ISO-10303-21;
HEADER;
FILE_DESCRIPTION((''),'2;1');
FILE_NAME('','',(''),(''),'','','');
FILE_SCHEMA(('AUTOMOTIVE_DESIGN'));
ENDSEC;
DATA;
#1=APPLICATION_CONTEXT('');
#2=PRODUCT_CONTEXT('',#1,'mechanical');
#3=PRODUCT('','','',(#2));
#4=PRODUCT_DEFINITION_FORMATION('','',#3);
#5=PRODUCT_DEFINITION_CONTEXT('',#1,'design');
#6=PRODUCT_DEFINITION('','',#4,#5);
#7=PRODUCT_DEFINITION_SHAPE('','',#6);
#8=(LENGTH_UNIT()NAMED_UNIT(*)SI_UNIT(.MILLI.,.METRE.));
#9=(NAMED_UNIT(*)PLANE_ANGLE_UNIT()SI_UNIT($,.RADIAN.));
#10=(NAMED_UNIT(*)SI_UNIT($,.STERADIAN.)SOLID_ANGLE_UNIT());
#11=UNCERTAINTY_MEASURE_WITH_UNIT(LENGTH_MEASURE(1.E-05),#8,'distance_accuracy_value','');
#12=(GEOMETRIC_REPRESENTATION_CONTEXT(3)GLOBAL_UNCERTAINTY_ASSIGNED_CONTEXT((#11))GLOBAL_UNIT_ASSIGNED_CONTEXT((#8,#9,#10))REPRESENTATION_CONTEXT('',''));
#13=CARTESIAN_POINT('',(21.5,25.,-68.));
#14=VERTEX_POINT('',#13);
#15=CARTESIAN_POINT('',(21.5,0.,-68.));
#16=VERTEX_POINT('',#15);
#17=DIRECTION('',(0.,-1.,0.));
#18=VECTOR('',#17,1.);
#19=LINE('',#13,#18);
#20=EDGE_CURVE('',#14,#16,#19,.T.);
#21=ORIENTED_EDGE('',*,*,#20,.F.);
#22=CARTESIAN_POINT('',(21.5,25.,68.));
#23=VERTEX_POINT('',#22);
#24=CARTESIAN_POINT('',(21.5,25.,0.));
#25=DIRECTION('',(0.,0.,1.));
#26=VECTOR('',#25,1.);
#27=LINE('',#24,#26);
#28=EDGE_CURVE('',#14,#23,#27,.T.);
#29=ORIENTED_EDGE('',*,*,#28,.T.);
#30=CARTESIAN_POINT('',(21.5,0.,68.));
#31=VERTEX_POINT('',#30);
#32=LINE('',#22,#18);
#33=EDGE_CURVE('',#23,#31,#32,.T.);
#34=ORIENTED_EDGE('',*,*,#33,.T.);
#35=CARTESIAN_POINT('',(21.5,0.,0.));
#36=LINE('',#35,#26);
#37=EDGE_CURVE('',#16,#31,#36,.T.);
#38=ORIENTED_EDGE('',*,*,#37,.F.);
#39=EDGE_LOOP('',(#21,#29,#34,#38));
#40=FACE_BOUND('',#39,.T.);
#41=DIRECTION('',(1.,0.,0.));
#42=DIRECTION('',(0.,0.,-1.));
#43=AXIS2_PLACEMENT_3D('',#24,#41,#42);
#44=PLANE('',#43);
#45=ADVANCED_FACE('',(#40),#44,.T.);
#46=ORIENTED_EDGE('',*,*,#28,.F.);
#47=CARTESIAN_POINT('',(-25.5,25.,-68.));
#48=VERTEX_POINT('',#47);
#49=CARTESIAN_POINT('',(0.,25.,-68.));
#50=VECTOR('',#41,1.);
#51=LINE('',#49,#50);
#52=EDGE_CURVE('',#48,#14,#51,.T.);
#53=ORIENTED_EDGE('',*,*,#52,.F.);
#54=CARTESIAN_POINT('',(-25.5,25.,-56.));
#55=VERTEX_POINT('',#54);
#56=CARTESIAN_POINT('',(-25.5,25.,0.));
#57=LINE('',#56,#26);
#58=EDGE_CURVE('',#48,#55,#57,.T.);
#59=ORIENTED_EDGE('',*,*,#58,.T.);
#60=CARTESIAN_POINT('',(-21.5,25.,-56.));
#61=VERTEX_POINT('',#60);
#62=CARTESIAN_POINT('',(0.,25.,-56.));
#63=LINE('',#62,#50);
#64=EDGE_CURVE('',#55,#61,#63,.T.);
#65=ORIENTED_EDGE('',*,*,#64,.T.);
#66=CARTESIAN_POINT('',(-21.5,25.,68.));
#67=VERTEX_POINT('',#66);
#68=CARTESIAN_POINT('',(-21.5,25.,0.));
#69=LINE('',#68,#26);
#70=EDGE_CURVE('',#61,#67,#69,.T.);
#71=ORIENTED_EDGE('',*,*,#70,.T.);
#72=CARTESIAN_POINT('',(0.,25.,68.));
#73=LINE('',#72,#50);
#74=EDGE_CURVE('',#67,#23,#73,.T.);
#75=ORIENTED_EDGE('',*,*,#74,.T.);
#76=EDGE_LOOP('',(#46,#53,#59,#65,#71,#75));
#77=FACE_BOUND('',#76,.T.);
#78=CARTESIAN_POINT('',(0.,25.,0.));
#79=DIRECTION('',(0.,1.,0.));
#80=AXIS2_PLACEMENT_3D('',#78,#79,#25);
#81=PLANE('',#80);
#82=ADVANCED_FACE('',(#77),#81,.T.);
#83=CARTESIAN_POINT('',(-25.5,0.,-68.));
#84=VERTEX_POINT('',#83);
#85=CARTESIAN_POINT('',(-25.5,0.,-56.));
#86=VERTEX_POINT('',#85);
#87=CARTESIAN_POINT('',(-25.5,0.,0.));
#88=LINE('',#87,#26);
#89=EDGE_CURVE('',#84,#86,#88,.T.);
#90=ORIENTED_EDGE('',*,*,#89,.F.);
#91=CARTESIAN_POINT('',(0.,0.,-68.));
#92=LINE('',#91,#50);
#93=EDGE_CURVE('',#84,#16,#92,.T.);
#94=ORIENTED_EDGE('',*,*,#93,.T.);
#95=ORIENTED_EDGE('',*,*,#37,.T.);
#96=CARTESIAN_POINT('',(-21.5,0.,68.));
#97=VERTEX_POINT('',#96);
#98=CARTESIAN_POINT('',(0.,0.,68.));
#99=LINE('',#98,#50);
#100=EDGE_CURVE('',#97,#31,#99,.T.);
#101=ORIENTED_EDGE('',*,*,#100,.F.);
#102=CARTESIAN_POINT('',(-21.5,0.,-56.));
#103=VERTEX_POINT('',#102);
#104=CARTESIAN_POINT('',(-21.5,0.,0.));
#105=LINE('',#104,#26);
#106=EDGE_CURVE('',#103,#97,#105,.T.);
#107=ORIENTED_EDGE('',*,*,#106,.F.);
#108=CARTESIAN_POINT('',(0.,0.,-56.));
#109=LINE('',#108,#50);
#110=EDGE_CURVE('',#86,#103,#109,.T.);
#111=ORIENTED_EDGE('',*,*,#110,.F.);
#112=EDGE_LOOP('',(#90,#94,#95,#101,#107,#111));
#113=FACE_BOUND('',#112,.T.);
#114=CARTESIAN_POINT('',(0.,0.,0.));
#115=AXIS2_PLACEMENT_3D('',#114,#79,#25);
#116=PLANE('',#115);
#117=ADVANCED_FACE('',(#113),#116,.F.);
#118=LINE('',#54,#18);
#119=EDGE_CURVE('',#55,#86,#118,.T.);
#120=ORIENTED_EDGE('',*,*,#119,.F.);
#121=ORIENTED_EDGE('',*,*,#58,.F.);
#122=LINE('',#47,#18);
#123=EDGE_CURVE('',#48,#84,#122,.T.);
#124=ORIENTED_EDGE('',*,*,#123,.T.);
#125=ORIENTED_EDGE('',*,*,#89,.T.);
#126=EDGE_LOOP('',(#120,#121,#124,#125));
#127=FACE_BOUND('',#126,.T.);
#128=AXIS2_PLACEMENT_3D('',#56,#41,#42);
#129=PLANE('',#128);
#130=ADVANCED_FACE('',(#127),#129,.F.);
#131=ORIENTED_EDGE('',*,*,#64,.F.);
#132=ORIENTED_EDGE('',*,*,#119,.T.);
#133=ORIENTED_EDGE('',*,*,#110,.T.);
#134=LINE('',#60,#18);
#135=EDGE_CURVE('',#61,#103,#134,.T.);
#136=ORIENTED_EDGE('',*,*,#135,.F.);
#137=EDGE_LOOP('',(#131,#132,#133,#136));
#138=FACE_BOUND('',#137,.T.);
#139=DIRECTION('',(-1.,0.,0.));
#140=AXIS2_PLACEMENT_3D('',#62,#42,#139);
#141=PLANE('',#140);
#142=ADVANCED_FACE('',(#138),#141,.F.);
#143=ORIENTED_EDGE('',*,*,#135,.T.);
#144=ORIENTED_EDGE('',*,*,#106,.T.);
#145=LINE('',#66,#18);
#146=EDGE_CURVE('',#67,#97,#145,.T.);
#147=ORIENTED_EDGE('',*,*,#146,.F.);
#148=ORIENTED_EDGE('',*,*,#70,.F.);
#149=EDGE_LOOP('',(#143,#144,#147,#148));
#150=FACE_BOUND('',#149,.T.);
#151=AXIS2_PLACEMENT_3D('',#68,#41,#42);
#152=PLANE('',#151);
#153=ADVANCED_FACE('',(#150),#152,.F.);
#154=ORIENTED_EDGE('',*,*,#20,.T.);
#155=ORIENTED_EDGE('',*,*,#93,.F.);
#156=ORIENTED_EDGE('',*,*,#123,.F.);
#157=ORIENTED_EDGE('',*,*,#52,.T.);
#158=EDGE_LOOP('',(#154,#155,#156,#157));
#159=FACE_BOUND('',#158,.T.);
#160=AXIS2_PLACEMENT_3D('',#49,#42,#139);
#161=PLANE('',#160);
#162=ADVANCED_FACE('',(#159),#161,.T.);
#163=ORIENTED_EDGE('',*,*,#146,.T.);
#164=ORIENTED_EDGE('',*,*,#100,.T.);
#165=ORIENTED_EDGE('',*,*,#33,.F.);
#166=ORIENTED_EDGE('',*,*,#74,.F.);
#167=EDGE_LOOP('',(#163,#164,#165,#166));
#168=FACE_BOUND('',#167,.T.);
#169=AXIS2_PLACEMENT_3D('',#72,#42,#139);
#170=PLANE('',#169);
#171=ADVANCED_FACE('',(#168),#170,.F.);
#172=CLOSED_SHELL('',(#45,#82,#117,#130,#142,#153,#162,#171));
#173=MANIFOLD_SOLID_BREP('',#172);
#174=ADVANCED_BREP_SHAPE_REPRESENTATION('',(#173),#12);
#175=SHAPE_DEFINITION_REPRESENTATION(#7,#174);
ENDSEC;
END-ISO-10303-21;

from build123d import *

# Parameters (mm, degrees)
CROQUIS1_W              = 43
CROQUIS1_H              = 12
CROQUIS1_H_2            = 124
CROQUIS1_W_2            = 4
SALIENTE_EXTRUIR1_DEPTH = 25


with BuildPart() as part:
    # Croquis1 → Saliente-Extruir1 (new body)
    with BuildSketch(Plane(origin=(0, 0, 0), x_dir=(1, 0, 0), z_dir=(0, 1, 0))):
        with Locations((0, 62)):
            Rectangle(CROQUIS1_W, CROQUIS1_H)
        with Locations((0, -6)):
            Rectangle(CROQUIS1_W, CROQUIS1_H_2)
        with Locations((-23.5, 62)):
            Rectangle(CROQUIS1_W_2, CROQUIS1_H)
    extrude(amount=SALIENTE_EXTRUIR1_DEPTH)


solid = part.part
